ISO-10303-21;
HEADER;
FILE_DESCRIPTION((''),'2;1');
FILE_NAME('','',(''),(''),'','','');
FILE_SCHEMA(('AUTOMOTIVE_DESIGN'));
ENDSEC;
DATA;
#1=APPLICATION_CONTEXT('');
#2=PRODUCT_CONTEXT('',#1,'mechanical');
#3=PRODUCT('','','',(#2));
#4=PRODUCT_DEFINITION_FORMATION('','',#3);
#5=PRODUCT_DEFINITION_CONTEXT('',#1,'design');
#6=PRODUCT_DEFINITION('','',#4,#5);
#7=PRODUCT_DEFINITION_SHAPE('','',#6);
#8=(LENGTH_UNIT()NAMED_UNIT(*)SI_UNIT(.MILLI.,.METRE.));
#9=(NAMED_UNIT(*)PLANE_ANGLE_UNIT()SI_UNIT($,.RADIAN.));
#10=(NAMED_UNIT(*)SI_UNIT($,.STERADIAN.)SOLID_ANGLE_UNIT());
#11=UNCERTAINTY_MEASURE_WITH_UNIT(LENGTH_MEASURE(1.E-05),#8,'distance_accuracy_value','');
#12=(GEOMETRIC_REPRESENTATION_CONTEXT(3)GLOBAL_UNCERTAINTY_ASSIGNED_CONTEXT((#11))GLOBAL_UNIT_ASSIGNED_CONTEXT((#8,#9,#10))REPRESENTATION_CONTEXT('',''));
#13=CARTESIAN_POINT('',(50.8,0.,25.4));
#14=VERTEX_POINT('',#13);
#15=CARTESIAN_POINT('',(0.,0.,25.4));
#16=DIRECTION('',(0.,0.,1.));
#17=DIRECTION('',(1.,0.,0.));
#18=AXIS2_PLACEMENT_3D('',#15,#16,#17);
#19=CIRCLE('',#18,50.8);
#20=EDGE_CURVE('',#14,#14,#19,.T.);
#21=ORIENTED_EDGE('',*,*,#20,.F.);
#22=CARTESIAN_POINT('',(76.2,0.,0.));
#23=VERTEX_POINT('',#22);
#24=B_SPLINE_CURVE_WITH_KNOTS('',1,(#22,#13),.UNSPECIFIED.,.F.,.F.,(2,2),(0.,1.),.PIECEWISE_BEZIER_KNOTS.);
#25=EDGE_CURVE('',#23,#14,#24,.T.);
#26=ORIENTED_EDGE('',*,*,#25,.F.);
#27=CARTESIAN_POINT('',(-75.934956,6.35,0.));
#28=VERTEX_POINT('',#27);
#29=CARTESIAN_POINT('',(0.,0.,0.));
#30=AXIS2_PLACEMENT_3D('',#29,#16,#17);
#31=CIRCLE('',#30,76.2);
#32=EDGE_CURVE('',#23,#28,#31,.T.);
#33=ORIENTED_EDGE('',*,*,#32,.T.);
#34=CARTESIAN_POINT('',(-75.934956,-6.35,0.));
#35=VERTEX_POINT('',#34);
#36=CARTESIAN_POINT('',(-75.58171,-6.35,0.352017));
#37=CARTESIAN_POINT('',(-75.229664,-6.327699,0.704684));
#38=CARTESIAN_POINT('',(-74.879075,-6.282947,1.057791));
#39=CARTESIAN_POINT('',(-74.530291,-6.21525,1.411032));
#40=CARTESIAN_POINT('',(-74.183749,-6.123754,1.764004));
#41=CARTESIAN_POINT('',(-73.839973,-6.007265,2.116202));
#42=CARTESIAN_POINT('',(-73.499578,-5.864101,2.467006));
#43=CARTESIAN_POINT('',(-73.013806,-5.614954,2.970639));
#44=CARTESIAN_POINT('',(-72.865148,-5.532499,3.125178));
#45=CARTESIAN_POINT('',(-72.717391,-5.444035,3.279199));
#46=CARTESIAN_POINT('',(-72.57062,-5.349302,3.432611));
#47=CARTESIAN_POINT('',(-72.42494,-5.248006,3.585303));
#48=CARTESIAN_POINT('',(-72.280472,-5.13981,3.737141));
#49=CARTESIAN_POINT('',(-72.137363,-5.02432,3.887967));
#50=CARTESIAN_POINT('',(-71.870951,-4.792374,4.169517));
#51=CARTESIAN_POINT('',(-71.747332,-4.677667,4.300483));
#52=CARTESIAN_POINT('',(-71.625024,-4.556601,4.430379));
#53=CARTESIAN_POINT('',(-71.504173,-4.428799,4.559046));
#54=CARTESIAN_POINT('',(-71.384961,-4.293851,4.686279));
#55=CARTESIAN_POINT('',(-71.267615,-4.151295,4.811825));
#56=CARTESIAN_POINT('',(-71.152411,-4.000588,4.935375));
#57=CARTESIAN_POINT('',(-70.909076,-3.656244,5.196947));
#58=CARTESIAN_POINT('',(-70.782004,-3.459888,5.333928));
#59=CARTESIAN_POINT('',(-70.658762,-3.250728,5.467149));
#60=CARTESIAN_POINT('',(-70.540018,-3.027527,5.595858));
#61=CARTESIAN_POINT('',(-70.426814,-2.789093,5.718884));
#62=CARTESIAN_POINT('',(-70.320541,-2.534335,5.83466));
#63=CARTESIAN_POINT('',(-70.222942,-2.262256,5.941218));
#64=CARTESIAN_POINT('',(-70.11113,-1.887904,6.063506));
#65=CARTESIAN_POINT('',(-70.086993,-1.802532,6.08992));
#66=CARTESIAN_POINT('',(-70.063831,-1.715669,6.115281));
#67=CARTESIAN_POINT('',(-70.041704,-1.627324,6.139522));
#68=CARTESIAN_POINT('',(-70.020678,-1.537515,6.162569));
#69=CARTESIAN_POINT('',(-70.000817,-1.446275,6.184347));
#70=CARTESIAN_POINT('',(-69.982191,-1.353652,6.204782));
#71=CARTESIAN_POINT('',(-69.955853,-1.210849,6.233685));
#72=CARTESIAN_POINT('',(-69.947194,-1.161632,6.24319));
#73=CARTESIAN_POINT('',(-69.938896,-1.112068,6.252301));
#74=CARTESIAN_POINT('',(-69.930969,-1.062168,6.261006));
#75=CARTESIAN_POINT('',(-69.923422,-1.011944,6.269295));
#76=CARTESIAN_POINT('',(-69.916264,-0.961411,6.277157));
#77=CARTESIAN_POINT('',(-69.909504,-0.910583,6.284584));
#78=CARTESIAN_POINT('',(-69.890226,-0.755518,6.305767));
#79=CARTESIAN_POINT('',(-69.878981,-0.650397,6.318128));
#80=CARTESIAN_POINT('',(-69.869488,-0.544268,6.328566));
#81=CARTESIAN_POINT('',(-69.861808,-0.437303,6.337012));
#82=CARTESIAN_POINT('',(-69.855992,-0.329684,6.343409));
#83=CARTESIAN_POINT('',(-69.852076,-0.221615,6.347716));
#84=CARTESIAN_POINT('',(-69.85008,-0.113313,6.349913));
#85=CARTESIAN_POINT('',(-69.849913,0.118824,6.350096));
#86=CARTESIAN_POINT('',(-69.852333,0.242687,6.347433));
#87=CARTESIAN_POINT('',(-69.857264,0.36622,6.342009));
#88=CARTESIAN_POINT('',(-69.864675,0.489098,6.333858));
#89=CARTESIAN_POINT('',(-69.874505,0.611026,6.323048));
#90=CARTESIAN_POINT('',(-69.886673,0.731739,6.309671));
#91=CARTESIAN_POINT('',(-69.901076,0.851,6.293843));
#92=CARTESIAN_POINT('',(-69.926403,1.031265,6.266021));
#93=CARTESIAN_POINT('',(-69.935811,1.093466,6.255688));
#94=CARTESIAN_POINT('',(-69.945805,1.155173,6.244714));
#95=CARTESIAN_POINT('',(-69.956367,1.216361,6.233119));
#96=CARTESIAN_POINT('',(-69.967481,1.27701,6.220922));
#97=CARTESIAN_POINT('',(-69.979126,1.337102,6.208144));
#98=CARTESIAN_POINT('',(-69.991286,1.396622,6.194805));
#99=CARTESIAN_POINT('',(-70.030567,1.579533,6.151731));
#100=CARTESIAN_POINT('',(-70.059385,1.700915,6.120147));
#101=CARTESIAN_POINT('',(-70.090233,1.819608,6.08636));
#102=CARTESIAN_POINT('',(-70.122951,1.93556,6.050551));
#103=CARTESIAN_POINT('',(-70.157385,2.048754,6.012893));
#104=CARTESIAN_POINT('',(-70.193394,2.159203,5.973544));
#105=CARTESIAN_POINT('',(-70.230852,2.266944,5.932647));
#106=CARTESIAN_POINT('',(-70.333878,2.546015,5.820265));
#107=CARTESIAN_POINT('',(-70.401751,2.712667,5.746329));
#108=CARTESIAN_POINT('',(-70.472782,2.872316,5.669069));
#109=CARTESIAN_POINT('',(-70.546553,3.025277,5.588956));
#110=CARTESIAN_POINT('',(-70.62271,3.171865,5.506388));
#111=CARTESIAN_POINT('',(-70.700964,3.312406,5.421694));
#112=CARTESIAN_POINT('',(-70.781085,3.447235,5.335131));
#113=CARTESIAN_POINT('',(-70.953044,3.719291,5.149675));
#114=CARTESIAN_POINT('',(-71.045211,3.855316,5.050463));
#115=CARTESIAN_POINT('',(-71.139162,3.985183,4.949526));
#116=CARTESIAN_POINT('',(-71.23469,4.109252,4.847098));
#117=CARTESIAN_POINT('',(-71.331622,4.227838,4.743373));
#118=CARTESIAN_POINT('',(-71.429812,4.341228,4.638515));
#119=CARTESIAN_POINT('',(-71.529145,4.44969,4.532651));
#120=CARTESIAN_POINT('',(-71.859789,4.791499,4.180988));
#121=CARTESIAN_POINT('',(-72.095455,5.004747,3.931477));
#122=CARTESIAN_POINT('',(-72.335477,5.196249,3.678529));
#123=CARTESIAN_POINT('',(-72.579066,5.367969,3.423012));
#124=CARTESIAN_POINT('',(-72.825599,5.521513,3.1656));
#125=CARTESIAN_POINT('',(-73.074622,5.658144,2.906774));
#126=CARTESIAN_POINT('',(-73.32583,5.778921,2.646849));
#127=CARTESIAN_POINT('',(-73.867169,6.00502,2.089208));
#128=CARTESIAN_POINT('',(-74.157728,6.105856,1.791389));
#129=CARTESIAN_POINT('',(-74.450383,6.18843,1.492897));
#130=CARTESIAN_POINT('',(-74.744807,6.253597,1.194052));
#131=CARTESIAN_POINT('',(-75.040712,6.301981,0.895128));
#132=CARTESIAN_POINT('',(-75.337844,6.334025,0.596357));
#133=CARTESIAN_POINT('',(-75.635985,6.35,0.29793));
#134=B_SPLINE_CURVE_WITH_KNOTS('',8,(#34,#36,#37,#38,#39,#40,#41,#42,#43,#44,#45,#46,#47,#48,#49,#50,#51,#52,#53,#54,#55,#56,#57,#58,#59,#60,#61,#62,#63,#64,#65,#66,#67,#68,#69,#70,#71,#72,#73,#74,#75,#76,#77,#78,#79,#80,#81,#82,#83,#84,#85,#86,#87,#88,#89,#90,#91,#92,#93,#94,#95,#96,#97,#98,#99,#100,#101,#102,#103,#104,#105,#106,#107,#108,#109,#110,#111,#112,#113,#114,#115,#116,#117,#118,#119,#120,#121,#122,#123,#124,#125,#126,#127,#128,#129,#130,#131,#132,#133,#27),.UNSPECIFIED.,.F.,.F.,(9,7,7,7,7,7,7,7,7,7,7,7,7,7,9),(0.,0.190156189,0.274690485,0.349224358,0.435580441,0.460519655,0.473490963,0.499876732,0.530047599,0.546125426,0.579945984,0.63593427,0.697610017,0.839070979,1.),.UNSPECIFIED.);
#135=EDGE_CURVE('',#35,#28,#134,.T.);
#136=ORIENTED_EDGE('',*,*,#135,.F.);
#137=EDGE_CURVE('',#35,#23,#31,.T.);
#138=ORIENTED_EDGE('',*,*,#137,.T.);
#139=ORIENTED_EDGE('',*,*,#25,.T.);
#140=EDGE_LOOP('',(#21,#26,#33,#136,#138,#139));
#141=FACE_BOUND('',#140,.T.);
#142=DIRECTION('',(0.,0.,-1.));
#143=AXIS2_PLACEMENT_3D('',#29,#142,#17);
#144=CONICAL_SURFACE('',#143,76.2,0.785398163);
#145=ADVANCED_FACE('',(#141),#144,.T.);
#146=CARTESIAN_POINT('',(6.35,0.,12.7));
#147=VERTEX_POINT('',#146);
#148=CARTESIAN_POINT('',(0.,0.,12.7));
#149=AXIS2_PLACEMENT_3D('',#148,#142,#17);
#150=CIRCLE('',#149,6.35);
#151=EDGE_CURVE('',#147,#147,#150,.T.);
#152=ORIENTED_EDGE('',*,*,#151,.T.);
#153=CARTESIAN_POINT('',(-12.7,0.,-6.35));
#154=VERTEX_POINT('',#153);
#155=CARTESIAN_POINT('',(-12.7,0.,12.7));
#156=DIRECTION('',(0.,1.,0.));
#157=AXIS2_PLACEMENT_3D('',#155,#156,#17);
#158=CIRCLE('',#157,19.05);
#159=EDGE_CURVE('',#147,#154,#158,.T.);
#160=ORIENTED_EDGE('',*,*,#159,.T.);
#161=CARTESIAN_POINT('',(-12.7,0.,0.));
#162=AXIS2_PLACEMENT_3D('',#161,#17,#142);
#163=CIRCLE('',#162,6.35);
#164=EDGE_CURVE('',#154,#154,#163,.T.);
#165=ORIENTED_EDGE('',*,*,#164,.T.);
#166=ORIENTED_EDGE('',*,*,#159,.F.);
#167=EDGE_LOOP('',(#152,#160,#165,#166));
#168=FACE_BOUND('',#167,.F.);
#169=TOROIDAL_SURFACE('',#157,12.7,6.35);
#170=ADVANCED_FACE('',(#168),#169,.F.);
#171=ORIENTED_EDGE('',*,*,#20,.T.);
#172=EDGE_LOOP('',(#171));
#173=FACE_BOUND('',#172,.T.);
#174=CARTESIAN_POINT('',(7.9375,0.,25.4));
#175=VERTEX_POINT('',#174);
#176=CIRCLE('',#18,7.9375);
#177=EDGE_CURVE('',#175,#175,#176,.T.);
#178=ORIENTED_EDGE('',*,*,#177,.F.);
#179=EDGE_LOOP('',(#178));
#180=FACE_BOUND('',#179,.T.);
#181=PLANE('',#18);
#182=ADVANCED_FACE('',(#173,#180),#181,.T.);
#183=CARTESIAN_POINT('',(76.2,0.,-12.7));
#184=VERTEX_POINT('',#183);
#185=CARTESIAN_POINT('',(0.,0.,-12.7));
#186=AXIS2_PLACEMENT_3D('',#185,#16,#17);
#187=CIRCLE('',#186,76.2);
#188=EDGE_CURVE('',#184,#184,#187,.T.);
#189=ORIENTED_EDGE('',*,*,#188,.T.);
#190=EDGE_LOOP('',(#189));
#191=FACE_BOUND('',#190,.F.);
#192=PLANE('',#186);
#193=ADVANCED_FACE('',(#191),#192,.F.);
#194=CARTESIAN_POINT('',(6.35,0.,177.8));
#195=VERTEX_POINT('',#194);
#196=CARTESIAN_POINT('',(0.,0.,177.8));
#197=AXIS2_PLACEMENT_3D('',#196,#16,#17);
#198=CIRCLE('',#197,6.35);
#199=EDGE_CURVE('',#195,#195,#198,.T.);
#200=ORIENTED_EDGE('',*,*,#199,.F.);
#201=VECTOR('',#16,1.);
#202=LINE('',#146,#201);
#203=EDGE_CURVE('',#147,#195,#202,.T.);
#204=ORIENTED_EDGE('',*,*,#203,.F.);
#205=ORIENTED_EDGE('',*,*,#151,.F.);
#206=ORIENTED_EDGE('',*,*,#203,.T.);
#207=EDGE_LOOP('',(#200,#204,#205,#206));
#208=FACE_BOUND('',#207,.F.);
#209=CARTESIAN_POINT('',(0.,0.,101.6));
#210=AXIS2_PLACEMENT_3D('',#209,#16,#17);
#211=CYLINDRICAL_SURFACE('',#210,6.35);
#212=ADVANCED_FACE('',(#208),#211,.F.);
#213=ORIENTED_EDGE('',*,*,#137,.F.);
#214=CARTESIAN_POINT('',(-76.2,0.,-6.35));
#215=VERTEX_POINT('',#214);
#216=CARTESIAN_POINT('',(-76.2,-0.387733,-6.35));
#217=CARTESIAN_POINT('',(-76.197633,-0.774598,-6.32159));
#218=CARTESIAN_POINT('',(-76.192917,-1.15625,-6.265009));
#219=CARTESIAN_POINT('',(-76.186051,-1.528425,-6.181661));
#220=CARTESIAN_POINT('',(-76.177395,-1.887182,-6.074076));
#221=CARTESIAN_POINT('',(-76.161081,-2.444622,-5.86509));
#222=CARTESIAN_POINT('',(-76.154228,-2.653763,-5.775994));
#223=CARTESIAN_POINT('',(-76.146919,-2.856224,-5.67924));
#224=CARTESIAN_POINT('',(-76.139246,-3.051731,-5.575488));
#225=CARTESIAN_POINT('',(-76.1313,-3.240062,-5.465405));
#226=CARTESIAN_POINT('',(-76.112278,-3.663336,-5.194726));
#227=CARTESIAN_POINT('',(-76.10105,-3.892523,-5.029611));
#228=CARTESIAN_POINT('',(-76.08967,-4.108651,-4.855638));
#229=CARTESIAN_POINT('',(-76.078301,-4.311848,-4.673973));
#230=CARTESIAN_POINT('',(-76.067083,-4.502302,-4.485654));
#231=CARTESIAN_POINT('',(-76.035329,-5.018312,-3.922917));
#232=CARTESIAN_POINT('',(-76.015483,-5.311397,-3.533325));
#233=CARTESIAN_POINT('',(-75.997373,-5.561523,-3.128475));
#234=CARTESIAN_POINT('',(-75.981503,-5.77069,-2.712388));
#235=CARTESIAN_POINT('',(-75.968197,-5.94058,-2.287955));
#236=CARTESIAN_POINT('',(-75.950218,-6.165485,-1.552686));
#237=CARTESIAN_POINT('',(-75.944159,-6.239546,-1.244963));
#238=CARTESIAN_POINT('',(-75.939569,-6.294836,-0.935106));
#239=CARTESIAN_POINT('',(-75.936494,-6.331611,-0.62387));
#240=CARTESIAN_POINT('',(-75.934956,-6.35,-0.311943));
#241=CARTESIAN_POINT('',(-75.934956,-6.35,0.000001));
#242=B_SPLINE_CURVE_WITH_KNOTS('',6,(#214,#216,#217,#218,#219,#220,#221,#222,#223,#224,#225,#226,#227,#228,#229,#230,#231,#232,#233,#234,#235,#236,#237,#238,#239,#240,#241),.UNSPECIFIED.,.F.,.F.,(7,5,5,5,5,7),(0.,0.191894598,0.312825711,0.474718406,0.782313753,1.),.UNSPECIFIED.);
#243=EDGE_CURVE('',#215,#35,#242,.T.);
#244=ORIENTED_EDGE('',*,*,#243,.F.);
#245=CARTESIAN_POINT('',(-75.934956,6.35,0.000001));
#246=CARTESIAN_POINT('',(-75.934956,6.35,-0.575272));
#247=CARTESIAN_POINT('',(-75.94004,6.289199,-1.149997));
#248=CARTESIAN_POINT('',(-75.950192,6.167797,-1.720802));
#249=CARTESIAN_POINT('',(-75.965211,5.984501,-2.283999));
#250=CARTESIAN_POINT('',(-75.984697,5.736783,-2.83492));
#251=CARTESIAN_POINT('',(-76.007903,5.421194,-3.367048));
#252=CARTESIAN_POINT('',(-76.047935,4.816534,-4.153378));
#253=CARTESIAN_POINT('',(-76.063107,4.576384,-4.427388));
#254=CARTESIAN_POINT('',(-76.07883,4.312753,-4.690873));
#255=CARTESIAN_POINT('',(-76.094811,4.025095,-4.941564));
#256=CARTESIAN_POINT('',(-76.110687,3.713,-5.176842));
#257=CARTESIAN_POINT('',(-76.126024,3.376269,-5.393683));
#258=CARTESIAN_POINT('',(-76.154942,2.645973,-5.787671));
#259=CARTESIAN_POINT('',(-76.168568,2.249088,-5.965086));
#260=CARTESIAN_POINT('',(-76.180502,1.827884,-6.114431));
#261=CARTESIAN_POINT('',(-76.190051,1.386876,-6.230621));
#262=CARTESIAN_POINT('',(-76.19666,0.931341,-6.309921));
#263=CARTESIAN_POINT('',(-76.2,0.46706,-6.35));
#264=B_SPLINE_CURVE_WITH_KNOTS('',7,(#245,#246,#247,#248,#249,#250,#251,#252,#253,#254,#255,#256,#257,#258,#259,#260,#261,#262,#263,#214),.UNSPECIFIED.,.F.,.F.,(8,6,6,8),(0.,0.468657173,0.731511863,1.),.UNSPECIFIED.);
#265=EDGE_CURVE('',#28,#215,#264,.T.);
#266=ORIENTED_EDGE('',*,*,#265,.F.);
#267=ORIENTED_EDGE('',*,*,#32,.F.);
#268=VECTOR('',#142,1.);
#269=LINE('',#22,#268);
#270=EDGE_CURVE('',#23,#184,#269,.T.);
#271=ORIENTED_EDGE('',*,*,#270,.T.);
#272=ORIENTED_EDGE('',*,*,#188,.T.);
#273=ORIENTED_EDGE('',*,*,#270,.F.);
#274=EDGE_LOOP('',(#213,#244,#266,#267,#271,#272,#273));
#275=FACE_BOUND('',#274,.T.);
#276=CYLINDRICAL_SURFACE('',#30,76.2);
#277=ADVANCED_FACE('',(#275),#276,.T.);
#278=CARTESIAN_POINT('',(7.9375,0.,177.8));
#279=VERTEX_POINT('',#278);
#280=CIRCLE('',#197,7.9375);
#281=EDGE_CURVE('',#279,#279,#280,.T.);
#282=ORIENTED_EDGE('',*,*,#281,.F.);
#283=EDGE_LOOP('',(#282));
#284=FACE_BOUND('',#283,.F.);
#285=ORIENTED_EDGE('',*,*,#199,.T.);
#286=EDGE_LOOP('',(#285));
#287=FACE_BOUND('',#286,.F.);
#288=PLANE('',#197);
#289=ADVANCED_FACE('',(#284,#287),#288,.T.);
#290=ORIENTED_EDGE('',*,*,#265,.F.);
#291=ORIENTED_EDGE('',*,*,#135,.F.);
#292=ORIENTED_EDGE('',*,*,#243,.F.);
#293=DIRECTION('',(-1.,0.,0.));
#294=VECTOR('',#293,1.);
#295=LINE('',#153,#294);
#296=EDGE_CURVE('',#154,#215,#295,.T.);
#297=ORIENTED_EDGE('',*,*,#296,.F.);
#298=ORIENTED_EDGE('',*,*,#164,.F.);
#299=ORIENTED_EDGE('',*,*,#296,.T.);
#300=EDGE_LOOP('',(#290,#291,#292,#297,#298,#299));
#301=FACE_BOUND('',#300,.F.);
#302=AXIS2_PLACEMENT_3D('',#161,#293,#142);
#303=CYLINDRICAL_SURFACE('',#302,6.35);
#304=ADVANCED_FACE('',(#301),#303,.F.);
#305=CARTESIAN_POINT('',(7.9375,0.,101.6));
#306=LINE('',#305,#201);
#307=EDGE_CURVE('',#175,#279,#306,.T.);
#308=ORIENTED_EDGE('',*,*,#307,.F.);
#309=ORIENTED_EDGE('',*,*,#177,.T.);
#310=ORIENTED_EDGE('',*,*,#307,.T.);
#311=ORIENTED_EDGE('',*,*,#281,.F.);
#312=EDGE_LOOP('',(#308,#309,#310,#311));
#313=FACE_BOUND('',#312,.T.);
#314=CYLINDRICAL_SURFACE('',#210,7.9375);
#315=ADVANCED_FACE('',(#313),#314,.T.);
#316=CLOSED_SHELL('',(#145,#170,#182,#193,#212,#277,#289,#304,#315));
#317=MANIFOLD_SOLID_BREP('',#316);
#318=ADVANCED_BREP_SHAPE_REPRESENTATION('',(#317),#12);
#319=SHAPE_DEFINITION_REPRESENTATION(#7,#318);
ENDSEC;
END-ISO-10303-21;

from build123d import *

# Parameters (mm, degrees)
F0_R     = 76.2
F2_R     = 50.8
F4_DEPTH = 12.7
F5_R     = 6.35
F8_W     = 1.5875
F8_H     = 152.4


with BuildPart() as f3:
    # F0 (on Top) → F3 section 0
    with BuildSketch(Plane.XY):
        Circle(F0_R)
    # F2 (on offset) → F3 section 1
    with BuildSketch(Plane.XY.offset(25.4)):
        Circle(F2_R)
    loft()

    # F0 (on Top) → F4 (join)
    with BuildSketch(Plane.XY):
        Circle(F0_R)
    extrude(amount=-F4_DEPTH)

    # F7: sweep along a path in F6
    with BuildLine(Plane.XZ) as f7_path:
        Line((0, 25.4), (0, 12.7))
        ThreePointArc((0, 12.7), (-3.7197438789, 3.7197438789), (-12.7, 0))
        Line((-12.7, 0), (-82.2157882963, 0))
    # F5 (on face) → F7 (sweep, cut)
    with BuildSketch(Plane.XY.offset(25.4)):
        Circle(F5_R)
    sweep(path=f7_path.line, mode=Mode.SUBTRACT)

    # F8 (on Front) → F9 (revolve)
    with BuildSketch(Plane.XZ):
        with Locations((7.14375, 101.6)):
            Rectangle(F8_W, F8_H)
    revolve(axis=Axis((0, 0, 88.9), (0, 0, 1)))


solid = f3.part
